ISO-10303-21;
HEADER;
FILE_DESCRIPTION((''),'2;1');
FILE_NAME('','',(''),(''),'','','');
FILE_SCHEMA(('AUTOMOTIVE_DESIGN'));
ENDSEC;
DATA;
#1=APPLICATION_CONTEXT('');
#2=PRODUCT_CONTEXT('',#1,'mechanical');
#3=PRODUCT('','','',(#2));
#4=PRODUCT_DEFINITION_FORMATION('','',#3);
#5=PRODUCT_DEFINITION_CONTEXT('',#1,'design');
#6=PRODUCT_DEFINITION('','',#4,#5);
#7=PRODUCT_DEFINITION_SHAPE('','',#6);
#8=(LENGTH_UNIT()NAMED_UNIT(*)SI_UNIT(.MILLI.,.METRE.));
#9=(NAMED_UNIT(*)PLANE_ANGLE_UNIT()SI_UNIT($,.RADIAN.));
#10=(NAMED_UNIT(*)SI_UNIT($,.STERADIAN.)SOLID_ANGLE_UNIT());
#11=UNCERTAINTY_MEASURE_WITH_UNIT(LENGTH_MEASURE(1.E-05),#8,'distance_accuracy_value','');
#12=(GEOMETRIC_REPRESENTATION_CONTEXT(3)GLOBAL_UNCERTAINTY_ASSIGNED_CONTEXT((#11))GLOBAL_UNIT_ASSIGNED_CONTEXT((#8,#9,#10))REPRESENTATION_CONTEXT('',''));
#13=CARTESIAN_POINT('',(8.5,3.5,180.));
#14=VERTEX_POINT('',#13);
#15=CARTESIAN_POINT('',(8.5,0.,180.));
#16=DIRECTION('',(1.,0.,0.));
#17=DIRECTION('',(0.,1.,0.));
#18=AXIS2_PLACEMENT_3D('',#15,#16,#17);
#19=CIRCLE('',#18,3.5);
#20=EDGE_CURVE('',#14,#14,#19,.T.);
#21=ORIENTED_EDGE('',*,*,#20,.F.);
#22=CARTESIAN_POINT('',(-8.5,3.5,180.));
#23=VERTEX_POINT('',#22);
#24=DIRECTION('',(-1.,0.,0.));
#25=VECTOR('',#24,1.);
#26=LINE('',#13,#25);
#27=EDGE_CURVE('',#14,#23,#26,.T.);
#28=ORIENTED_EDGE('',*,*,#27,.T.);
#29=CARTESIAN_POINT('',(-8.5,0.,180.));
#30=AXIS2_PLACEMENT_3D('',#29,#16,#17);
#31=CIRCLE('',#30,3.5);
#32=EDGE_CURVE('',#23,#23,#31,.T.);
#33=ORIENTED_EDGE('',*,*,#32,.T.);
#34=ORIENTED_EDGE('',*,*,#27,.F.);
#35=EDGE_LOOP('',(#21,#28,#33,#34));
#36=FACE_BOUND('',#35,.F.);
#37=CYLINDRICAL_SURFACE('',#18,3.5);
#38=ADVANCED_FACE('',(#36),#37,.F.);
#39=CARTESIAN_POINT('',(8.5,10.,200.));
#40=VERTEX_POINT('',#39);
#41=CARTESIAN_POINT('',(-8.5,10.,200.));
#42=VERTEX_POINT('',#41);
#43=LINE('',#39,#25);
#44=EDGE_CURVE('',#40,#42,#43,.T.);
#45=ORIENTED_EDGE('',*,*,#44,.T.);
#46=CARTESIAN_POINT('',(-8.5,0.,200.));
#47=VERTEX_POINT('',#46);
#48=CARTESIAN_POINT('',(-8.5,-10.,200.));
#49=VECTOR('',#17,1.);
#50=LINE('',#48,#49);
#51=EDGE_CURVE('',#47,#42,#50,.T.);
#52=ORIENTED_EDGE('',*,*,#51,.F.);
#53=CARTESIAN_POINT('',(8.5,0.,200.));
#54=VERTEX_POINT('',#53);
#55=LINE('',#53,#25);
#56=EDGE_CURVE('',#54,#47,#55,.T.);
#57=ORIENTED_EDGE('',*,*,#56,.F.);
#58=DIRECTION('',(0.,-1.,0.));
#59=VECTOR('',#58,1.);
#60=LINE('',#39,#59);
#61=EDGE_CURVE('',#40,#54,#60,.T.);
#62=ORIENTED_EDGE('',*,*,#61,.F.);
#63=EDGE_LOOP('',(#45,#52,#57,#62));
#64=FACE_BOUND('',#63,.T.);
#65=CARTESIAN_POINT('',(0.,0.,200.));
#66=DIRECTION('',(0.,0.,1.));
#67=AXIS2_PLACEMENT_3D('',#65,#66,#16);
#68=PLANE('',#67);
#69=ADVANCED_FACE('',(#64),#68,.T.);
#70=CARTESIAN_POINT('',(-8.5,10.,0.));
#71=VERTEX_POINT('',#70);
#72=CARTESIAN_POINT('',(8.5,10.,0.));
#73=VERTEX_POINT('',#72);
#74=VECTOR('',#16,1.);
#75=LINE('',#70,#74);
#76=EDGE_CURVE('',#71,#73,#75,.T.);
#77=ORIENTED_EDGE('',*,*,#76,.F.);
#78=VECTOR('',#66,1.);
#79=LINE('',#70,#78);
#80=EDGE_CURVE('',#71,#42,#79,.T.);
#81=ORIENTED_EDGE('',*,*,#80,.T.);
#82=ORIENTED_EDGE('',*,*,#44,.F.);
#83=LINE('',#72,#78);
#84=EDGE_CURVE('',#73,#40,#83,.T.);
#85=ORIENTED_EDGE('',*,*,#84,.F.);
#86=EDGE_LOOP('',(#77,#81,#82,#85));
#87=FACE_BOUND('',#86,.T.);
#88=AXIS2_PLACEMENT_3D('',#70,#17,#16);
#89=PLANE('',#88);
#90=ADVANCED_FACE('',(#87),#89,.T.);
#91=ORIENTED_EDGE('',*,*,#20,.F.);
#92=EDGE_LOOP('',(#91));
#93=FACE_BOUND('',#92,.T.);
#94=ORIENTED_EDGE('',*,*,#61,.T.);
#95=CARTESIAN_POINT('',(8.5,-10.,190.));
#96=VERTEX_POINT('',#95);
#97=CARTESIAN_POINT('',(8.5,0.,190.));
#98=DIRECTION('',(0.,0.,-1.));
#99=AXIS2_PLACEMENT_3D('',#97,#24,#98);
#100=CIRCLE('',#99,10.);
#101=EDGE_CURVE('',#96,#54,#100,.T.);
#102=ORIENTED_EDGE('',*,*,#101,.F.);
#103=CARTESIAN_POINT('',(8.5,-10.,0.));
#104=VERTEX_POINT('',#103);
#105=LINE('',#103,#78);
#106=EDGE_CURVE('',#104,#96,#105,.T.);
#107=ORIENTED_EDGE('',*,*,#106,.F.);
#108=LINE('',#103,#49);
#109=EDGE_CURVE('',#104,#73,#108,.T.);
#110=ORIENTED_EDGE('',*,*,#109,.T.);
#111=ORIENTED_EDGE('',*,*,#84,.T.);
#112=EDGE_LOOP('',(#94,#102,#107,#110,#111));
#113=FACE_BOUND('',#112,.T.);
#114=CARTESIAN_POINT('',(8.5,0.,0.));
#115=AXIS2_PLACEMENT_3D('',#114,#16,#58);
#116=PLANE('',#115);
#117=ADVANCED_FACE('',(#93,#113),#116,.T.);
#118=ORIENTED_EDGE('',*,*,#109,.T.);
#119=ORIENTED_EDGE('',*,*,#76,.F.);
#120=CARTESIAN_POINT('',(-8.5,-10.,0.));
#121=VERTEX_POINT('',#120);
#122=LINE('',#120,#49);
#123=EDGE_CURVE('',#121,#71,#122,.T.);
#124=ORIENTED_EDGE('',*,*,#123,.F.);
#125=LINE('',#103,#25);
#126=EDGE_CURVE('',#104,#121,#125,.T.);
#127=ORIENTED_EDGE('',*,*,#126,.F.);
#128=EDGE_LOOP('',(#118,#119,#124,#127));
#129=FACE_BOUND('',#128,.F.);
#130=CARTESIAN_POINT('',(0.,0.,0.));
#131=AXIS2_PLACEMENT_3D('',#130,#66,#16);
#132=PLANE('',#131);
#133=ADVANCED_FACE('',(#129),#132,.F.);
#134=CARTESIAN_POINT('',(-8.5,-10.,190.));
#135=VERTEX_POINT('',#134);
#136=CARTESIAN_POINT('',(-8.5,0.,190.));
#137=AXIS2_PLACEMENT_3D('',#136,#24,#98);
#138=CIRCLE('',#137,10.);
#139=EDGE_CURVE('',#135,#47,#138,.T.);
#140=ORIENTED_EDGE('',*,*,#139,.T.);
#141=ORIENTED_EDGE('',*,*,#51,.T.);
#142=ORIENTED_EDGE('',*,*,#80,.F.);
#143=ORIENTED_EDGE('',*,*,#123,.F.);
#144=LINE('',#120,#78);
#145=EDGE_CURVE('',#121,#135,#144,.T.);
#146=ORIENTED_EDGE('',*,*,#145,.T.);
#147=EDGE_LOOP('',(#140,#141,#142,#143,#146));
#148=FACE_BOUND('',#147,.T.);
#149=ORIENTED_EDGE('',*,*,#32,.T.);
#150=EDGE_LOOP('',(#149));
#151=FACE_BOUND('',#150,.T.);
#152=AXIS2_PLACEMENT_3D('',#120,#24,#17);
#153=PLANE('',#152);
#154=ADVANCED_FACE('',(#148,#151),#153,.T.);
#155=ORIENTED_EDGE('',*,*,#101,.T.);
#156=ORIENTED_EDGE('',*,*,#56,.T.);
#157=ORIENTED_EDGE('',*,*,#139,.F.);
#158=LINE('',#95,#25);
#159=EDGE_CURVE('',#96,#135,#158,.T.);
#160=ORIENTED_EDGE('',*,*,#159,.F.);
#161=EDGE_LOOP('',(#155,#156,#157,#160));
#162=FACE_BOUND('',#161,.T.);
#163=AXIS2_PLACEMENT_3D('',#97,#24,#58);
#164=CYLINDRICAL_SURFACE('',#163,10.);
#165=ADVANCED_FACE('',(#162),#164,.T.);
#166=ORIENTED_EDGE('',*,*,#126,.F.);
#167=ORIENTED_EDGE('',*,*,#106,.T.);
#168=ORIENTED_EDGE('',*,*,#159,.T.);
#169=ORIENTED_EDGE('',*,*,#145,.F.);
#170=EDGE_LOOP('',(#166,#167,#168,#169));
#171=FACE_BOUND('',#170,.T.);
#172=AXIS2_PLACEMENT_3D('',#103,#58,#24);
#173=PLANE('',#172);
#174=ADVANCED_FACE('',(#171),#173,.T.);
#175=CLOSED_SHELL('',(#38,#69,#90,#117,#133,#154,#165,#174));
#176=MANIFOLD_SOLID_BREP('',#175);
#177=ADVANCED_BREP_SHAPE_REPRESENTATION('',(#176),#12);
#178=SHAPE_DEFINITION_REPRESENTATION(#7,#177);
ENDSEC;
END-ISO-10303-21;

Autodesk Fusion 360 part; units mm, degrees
sketch "草图8" plane through (0, 0, 0) normal (0, 0, 1) x (1, 0, 0)
  line L0 (-8.5, 10) -> (8.5, 10)
  line L1 (8.5, 10) -> (8.5, -10)
  line L2 (8.5, -10) -> (-8.5, -10)
  line L3 (-8.5, -10) -> (-8.5, 10)
  line L4 (0, 1.75) -> (0, 22.5)
  line L5 (1.75, 0) -> (22.5, 0)
  dimension "d5" = 17
  dimension "d6" = 20
extrude "拉伸5" add sketch "草图8" along normal blind 200
fillet "圆角2" radius 10 2 edges at (0, -10, 200) (0, 10, 200)
sketch "草图10" plane through (8.5, 0, 0) normal (1, 0, 0) x (0, 1, 0)
  arc A0 (10, 190) -> (-10, 190) centre (0, 190) ccw
  line L0 (-10, 190) -> (-10, 0)
  line L1 (-10, 0) -> (10, 0)
  line L2 (10, 0) -> (10, 190)
  circle A1 centre (0, 180) radius 3.5
  dimension "d14" = 7
  dimension "d15" = 180
extrude "拉伸6" cut sketch "草图10" against normal blind 175 contours A1
